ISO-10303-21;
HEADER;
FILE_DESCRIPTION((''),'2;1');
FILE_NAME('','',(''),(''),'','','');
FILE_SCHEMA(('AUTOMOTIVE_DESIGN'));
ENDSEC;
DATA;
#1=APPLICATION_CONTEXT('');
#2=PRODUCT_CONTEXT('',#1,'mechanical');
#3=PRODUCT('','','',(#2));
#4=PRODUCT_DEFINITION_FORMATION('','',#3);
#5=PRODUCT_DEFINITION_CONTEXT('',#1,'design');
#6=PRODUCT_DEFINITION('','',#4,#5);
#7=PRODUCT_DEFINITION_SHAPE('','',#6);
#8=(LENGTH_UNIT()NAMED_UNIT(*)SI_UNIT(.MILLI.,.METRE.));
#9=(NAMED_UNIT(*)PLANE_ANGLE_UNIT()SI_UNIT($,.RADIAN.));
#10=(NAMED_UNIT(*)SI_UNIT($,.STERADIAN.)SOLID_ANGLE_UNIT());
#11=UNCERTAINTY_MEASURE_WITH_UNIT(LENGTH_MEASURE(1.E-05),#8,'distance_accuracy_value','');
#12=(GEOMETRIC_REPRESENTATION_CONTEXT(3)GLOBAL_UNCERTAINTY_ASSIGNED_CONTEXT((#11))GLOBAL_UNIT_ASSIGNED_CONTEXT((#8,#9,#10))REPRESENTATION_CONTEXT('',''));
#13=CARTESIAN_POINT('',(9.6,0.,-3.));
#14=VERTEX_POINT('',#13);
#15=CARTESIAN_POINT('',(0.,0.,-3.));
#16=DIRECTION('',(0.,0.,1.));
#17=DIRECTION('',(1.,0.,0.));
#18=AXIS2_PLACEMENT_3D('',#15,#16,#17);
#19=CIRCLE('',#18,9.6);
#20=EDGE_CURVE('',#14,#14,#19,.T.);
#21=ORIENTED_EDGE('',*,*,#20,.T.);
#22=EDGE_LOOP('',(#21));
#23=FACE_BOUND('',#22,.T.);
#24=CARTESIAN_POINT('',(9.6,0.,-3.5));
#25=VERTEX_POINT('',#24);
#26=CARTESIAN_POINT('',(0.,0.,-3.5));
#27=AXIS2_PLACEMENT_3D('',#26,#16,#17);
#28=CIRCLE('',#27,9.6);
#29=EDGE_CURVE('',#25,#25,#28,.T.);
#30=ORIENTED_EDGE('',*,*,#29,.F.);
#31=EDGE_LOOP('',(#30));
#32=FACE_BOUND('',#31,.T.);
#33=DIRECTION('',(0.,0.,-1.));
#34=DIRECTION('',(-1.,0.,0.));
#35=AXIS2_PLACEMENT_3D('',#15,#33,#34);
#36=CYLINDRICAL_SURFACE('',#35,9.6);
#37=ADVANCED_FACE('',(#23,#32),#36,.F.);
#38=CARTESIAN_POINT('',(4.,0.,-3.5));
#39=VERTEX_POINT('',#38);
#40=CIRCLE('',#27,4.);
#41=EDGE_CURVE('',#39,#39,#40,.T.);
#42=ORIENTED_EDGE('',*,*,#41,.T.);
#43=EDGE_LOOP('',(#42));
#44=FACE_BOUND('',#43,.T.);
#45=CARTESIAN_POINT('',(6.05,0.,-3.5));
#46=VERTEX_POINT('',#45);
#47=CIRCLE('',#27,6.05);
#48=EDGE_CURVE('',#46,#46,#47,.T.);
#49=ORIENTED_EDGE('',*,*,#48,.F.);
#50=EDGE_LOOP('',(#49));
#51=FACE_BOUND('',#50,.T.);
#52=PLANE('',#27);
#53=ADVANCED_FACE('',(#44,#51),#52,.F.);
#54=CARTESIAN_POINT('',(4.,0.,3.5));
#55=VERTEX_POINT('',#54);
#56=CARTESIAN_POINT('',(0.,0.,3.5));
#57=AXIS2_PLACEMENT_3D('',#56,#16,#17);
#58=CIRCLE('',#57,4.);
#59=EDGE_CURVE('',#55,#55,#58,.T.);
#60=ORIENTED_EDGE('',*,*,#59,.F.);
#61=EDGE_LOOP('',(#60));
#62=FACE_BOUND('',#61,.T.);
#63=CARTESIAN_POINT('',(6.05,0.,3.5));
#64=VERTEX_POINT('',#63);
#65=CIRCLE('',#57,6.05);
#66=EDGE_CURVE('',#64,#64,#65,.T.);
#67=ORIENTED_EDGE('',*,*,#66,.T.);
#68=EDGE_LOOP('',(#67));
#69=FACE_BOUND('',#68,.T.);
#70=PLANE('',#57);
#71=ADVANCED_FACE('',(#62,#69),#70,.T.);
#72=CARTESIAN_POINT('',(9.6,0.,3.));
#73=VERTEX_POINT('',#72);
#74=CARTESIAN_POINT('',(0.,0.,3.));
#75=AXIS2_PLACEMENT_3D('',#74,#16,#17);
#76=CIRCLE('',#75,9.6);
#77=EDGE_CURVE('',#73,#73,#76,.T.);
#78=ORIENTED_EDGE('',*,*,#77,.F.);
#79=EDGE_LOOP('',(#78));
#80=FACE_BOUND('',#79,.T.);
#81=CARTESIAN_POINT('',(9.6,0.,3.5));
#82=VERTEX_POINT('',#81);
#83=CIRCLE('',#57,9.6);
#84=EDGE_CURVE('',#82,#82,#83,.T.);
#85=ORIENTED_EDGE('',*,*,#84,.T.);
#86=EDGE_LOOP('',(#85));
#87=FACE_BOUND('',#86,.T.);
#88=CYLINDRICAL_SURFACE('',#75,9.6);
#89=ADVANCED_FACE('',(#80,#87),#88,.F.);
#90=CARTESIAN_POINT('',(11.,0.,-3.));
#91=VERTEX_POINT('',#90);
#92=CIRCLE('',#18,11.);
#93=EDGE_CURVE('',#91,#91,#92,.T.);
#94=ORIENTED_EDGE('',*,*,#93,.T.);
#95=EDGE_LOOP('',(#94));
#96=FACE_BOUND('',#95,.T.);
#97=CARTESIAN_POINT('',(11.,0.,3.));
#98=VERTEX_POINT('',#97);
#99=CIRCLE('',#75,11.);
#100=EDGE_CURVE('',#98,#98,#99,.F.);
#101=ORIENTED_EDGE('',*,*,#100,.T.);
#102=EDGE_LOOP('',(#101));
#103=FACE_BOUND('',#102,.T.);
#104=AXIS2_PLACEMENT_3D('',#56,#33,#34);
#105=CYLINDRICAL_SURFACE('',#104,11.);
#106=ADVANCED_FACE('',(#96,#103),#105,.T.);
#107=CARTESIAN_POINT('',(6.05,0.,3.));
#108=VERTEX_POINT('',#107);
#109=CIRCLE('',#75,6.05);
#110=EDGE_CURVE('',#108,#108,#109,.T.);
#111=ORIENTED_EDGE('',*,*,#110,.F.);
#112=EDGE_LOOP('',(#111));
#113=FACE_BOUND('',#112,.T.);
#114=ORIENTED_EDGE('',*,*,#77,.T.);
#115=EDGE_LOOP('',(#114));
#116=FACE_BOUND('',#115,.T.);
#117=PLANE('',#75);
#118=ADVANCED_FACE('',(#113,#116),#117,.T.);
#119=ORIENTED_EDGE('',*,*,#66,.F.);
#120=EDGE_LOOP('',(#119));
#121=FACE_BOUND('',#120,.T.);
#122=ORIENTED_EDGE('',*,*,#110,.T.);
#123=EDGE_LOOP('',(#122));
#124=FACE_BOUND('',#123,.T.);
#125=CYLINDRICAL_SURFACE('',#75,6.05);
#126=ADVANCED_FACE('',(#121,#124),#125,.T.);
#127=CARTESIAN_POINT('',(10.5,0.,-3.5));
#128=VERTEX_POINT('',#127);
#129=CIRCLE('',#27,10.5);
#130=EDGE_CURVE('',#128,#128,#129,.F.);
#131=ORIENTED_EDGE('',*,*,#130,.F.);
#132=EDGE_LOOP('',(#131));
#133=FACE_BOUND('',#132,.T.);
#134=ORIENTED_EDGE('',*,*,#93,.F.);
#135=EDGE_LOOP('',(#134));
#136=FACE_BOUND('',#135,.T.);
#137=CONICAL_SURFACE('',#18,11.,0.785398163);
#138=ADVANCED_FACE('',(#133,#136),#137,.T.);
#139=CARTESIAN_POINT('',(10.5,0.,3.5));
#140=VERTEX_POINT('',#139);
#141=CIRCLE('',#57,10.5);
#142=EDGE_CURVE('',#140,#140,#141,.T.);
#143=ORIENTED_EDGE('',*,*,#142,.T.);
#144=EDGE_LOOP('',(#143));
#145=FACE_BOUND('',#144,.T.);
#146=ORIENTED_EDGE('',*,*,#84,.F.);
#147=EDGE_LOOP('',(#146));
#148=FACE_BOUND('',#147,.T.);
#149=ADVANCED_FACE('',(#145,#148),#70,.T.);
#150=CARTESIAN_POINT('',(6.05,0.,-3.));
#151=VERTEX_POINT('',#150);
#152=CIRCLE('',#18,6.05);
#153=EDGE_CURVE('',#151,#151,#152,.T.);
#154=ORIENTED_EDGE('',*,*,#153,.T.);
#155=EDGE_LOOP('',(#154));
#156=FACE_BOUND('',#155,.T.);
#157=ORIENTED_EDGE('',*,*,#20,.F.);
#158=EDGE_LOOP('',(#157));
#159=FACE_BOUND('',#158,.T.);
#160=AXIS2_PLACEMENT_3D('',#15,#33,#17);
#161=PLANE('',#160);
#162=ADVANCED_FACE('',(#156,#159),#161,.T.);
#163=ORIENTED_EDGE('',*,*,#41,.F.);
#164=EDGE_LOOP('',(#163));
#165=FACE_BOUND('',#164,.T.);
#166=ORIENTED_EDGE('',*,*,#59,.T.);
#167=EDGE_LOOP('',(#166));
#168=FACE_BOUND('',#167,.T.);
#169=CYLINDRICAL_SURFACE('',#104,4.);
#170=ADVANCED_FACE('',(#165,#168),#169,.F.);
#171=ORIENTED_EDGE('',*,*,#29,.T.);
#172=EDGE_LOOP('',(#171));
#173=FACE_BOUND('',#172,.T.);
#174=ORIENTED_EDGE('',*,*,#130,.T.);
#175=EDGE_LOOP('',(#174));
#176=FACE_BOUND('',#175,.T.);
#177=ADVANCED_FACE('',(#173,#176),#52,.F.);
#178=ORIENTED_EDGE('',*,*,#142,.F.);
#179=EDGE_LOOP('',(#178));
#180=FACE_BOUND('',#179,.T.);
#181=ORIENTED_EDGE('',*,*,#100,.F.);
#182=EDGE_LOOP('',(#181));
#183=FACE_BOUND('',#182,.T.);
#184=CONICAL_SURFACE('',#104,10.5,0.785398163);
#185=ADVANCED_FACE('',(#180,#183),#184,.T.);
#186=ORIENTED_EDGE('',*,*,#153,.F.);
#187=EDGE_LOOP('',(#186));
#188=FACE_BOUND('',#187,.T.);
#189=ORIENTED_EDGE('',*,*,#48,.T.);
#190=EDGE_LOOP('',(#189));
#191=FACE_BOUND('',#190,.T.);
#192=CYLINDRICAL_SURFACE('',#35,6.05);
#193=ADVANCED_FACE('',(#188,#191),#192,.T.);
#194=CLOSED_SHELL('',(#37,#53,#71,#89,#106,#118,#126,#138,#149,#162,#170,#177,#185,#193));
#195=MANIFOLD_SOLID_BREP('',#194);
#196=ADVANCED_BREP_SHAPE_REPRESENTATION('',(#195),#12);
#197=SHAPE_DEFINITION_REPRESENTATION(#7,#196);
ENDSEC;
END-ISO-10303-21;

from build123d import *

# Parameters (mm, degrees)
SKETCH_1_R          = 11
SKETCH_1_R_2        = 4
EXTRUDE_1_DEPTH     = 3.5
CHAMFER_1_SIZE      = 0.5
SKETCH_2_R          = 9.6
SKETCH_2_R_2        = 6.05
CUT_EXTRUDE_1_DEPTH = 0.5


with BuildPart() as part:
    # 스케치1 → 보스-돌출1 (new, symmetric)
    with BuildSketch(Plane.XY):
        Circle(SKETCH_1_R)
        Circle(SKETCH_1_R_2, mode=Mode.SUBTRACT)
    extrude(amount=EXTRUDE_1_DEPTH, both=True)

    # 모따기1
    chamfer_1_edges = [part.edges().sort_by_distance(p)[0] for p in [
        (-11, 0, -3.5),
        (-11, 0, 3.5),
    ]]
    chamfer(chamfer_1_edges, length=CHAMFER_1_SIZE)

    # 스케치2 → 컷-돌출1 (cut)
    with BuildSketch(Plane.XY.offset(3.5)):
        Circle(SKETCH_2_R)
        Circle(SKETCH_2_R_2, mode=Mode.SUBTRACT)
    cut_extrude_1 = extrude(amount=-CUT_EXTRUDE_1_DEPTH, mode=Mode.SUBTRACT)

    # 대칭 복사1: 컷-돌출1 across plane
    add(cut_extrude_1.mirror(Plane.XY), mode=Mode.SUBTRACT)


solid = part.part
